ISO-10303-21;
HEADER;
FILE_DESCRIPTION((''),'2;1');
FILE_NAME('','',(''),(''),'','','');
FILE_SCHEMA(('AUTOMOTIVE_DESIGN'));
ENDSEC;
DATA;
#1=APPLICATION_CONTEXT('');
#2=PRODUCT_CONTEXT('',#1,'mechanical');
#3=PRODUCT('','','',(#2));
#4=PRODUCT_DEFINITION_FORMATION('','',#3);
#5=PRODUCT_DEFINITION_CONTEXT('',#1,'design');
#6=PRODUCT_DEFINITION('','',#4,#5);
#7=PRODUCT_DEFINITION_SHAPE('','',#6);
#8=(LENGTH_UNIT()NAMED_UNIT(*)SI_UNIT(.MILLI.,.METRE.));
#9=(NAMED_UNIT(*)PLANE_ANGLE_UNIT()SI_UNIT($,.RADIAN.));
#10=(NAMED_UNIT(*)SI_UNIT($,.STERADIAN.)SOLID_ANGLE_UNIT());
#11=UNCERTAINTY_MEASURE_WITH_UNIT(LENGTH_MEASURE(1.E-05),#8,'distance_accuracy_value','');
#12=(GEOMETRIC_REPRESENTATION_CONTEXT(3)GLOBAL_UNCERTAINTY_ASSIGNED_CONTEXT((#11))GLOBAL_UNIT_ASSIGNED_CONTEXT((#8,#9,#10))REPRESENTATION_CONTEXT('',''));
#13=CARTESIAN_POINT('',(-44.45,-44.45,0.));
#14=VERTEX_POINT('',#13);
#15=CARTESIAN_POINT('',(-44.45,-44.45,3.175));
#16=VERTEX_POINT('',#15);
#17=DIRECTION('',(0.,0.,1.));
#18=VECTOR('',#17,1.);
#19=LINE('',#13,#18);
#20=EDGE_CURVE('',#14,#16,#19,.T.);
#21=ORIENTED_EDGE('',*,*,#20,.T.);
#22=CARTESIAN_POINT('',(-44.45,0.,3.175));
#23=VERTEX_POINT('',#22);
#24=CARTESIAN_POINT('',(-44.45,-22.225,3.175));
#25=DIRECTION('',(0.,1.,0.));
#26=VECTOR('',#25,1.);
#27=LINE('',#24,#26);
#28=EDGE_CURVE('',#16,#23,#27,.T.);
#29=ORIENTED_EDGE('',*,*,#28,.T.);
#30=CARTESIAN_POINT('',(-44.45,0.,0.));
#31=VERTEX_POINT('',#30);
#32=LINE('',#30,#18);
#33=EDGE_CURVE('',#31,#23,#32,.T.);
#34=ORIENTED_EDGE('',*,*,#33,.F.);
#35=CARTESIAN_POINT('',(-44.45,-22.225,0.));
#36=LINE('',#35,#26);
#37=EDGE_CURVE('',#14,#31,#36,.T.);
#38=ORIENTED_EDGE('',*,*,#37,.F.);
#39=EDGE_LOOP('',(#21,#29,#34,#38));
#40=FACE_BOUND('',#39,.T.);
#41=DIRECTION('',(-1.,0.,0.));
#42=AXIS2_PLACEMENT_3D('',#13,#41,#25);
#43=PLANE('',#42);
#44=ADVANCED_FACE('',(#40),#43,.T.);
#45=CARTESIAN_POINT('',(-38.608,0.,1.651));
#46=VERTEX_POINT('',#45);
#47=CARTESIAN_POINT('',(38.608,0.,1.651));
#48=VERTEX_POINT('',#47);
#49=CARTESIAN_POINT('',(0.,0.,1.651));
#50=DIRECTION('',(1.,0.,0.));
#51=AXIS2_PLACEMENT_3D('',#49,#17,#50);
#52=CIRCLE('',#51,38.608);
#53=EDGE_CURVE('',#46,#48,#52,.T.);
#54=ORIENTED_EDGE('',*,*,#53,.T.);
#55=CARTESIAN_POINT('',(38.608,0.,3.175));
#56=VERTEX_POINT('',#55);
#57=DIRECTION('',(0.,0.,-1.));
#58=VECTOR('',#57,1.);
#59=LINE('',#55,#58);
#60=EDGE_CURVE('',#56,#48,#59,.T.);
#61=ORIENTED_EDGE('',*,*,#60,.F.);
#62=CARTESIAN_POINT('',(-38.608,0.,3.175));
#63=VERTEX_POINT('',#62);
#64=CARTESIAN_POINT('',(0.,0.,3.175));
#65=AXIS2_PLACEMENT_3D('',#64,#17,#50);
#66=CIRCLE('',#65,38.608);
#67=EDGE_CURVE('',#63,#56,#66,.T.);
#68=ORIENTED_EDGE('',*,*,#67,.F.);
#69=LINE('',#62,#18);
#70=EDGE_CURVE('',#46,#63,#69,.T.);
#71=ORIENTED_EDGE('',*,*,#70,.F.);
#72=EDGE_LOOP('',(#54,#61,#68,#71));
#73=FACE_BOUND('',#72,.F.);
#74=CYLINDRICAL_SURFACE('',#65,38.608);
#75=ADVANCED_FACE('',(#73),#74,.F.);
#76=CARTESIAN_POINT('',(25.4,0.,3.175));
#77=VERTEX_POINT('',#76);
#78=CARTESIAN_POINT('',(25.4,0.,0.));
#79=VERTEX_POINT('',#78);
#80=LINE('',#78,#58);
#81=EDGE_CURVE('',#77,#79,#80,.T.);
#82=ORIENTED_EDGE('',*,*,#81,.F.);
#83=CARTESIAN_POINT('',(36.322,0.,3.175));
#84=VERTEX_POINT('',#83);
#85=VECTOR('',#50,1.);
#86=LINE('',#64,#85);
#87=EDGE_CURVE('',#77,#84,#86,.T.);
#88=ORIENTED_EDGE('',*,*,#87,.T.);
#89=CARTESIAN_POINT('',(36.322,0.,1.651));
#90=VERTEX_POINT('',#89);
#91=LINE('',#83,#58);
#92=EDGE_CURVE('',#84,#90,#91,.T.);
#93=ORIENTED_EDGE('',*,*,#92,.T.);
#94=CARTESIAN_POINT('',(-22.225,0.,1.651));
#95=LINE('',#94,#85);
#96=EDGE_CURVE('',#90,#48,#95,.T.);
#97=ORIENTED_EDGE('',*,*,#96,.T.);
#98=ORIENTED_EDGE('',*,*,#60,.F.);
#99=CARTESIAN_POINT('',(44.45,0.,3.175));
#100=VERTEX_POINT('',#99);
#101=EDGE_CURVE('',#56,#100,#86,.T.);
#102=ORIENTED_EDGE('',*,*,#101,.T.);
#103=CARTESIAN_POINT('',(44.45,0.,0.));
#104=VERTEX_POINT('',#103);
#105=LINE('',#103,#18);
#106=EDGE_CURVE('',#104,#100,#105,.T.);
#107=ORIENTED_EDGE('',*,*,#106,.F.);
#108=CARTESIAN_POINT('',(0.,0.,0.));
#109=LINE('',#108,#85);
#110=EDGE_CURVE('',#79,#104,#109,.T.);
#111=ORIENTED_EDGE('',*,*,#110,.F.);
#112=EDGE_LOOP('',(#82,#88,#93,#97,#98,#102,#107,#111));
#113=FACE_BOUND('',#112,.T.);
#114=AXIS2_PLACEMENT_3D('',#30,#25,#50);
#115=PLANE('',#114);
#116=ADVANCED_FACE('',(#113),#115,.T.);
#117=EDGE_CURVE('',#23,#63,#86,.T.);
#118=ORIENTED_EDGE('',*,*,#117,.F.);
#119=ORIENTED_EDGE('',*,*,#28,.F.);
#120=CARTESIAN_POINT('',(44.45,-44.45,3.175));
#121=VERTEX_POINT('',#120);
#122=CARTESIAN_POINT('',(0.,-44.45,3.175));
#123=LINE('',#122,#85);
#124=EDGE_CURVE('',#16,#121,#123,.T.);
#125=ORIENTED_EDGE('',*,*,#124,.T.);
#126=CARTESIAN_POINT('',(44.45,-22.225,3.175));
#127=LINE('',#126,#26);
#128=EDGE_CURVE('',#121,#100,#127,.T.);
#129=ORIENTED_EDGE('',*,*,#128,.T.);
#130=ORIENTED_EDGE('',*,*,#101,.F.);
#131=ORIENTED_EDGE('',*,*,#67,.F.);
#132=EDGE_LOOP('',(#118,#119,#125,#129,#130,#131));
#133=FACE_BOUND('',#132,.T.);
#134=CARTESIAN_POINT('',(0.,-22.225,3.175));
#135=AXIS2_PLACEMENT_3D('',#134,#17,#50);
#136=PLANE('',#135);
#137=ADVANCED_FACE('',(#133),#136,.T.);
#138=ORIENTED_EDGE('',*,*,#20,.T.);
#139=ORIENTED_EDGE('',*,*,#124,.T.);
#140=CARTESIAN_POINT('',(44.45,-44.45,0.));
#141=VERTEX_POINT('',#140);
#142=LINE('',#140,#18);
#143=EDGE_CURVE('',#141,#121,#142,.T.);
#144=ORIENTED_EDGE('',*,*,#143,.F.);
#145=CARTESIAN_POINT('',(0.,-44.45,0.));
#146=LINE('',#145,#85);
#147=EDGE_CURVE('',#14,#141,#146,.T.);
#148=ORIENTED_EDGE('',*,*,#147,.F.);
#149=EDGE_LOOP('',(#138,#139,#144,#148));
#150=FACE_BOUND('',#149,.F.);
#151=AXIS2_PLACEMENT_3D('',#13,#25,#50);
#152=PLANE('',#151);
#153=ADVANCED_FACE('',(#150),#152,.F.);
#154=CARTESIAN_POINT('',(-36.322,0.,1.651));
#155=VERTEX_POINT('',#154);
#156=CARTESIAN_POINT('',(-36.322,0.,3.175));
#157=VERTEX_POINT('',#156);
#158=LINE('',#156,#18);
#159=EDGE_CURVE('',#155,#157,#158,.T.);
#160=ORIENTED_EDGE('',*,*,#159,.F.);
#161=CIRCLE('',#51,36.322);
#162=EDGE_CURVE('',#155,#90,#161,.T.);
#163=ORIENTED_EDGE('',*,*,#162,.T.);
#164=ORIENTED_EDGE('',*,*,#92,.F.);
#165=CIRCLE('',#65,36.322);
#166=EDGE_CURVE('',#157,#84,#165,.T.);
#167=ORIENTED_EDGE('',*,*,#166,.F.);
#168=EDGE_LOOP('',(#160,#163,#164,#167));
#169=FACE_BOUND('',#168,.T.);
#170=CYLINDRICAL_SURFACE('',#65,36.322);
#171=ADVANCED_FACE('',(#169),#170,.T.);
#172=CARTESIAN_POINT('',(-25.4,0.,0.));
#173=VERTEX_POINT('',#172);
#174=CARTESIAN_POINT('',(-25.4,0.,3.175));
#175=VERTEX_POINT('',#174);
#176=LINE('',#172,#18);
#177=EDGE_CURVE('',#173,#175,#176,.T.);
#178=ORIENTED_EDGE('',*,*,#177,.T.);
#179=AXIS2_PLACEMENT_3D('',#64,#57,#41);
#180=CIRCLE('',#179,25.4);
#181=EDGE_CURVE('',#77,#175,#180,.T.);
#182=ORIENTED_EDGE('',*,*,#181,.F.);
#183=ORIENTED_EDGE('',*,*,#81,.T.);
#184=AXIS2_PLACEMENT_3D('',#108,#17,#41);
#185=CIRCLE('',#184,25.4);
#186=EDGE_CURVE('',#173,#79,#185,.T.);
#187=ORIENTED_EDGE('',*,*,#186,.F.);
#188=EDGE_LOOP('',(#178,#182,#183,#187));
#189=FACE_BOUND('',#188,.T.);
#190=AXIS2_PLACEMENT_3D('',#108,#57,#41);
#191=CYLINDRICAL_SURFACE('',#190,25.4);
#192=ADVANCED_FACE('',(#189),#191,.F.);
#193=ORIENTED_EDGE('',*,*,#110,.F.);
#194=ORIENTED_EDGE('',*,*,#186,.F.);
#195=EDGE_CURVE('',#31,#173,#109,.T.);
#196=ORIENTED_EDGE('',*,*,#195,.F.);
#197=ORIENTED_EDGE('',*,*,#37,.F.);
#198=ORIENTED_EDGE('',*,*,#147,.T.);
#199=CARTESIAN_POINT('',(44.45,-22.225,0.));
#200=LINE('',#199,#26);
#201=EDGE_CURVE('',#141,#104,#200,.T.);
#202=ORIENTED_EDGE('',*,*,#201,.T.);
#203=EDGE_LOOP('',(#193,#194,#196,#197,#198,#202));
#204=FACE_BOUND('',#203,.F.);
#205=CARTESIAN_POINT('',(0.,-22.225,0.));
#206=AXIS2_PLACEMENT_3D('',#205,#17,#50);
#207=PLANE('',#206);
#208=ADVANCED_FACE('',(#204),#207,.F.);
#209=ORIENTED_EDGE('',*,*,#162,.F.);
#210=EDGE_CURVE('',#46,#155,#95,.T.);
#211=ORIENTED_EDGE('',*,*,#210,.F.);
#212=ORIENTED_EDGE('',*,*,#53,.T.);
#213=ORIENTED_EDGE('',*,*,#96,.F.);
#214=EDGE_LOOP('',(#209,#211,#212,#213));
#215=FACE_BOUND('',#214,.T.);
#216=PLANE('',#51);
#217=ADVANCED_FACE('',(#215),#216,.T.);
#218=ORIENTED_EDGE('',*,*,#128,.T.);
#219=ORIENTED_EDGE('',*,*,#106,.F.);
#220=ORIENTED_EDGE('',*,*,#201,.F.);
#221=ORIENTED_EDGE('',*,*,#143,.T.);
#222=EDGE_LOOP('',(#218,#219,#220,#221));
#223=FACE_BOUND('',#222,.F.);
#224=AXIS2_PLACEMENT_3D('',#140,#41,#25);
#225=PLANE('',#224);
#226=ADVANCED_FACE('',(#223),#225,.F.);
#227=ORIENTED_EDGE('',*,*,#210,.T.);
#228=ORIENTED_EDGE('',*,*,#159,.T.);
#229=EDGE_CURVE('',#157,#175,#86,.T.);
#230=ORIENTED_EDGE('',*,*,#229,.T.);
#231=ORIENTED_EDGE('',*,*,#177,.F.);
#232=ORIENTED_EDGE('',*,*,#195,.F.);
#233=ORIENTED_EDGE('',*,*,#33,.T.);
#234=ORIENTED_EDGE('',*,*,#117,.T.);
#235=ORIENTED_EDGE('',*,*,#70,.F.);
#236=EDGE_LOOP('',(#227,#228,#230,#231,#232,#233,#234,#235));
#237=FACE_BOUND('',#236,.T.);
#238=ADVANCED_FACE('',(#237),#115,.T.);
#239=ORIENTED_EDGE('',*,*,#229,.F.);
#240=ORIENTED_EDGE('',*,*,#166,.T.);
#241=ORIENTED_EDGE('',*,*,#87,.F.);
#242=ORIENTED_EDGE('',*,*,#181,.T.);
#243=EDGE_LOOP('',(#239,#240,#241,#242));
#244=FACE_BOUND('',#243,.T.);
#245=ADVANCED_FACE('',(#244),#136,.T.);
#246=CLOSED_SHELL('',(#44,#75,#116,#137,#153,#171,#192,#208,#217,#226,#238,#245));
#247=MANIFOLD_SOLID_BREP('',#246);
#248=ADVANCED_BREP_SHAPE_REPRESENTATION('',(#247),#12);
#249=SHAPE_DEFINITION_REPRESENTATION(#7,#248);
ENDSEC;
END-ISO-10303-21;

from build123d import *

# Parameters (mm, degrees)
F0_W     = 88.9
F0_H     = 44.45
F1_DEPTH = 3.175
F2_R     = 38.608
F2_R_2   = 36.322
F3_DEPTH = 1.524
F5_DEPTH = 3.176


with BuildPart() as f1:
    # F0 (on Top) → F1 (new body)
    with BuildSketch(Plane.XY):
        with Locations((0, -22.225)):
            Rectangle(F0_W, F0_H)
    extrude(amount=F1_DEPTH)

    # F2 (on face) → F3 (cut)
    with BuildSketch(Plane.XY.offset(3.175)):
        Circle(F2_R)
        Circle(F2_R_2, mode=Mode.SUBTRACT)
        with BuildLine():
            Line((-13.208, 0), (13.208, 0))
            ThreePointArc((13.208, 0), (0, 13.208), (-13.208, 0))
        make_face()
        with BuildLine():
            ThreePointArc((-13.208, 0), (0, -13.208), (13.208, 0))
            Line((13.208, 0), (-13.208, 0))
        make_face()
    extrude(amount=-F3_DEPTH, mode=Mode.SUBTRACT)

    # F4 (on Top) → F5 (cut, through all)
    with BuildSketch(Plane.XY):
        with BuildLine():
            ThreePointArc((25.4, 0), (0, 25.4), (-25.4, 0))
            Line((-25.4, 0), (25.4, 0))
        make_face()
        with BuildLine():
            Line((25.4, 0), (-25.4, 0))
            ThreePointArc((-25.4, 0), (0, -25.4), (25.4, 0))
        make_face()
    extrude(amount=F5_DEPTH, mode=Mode.SUBTRACT)


solid = f1.part
